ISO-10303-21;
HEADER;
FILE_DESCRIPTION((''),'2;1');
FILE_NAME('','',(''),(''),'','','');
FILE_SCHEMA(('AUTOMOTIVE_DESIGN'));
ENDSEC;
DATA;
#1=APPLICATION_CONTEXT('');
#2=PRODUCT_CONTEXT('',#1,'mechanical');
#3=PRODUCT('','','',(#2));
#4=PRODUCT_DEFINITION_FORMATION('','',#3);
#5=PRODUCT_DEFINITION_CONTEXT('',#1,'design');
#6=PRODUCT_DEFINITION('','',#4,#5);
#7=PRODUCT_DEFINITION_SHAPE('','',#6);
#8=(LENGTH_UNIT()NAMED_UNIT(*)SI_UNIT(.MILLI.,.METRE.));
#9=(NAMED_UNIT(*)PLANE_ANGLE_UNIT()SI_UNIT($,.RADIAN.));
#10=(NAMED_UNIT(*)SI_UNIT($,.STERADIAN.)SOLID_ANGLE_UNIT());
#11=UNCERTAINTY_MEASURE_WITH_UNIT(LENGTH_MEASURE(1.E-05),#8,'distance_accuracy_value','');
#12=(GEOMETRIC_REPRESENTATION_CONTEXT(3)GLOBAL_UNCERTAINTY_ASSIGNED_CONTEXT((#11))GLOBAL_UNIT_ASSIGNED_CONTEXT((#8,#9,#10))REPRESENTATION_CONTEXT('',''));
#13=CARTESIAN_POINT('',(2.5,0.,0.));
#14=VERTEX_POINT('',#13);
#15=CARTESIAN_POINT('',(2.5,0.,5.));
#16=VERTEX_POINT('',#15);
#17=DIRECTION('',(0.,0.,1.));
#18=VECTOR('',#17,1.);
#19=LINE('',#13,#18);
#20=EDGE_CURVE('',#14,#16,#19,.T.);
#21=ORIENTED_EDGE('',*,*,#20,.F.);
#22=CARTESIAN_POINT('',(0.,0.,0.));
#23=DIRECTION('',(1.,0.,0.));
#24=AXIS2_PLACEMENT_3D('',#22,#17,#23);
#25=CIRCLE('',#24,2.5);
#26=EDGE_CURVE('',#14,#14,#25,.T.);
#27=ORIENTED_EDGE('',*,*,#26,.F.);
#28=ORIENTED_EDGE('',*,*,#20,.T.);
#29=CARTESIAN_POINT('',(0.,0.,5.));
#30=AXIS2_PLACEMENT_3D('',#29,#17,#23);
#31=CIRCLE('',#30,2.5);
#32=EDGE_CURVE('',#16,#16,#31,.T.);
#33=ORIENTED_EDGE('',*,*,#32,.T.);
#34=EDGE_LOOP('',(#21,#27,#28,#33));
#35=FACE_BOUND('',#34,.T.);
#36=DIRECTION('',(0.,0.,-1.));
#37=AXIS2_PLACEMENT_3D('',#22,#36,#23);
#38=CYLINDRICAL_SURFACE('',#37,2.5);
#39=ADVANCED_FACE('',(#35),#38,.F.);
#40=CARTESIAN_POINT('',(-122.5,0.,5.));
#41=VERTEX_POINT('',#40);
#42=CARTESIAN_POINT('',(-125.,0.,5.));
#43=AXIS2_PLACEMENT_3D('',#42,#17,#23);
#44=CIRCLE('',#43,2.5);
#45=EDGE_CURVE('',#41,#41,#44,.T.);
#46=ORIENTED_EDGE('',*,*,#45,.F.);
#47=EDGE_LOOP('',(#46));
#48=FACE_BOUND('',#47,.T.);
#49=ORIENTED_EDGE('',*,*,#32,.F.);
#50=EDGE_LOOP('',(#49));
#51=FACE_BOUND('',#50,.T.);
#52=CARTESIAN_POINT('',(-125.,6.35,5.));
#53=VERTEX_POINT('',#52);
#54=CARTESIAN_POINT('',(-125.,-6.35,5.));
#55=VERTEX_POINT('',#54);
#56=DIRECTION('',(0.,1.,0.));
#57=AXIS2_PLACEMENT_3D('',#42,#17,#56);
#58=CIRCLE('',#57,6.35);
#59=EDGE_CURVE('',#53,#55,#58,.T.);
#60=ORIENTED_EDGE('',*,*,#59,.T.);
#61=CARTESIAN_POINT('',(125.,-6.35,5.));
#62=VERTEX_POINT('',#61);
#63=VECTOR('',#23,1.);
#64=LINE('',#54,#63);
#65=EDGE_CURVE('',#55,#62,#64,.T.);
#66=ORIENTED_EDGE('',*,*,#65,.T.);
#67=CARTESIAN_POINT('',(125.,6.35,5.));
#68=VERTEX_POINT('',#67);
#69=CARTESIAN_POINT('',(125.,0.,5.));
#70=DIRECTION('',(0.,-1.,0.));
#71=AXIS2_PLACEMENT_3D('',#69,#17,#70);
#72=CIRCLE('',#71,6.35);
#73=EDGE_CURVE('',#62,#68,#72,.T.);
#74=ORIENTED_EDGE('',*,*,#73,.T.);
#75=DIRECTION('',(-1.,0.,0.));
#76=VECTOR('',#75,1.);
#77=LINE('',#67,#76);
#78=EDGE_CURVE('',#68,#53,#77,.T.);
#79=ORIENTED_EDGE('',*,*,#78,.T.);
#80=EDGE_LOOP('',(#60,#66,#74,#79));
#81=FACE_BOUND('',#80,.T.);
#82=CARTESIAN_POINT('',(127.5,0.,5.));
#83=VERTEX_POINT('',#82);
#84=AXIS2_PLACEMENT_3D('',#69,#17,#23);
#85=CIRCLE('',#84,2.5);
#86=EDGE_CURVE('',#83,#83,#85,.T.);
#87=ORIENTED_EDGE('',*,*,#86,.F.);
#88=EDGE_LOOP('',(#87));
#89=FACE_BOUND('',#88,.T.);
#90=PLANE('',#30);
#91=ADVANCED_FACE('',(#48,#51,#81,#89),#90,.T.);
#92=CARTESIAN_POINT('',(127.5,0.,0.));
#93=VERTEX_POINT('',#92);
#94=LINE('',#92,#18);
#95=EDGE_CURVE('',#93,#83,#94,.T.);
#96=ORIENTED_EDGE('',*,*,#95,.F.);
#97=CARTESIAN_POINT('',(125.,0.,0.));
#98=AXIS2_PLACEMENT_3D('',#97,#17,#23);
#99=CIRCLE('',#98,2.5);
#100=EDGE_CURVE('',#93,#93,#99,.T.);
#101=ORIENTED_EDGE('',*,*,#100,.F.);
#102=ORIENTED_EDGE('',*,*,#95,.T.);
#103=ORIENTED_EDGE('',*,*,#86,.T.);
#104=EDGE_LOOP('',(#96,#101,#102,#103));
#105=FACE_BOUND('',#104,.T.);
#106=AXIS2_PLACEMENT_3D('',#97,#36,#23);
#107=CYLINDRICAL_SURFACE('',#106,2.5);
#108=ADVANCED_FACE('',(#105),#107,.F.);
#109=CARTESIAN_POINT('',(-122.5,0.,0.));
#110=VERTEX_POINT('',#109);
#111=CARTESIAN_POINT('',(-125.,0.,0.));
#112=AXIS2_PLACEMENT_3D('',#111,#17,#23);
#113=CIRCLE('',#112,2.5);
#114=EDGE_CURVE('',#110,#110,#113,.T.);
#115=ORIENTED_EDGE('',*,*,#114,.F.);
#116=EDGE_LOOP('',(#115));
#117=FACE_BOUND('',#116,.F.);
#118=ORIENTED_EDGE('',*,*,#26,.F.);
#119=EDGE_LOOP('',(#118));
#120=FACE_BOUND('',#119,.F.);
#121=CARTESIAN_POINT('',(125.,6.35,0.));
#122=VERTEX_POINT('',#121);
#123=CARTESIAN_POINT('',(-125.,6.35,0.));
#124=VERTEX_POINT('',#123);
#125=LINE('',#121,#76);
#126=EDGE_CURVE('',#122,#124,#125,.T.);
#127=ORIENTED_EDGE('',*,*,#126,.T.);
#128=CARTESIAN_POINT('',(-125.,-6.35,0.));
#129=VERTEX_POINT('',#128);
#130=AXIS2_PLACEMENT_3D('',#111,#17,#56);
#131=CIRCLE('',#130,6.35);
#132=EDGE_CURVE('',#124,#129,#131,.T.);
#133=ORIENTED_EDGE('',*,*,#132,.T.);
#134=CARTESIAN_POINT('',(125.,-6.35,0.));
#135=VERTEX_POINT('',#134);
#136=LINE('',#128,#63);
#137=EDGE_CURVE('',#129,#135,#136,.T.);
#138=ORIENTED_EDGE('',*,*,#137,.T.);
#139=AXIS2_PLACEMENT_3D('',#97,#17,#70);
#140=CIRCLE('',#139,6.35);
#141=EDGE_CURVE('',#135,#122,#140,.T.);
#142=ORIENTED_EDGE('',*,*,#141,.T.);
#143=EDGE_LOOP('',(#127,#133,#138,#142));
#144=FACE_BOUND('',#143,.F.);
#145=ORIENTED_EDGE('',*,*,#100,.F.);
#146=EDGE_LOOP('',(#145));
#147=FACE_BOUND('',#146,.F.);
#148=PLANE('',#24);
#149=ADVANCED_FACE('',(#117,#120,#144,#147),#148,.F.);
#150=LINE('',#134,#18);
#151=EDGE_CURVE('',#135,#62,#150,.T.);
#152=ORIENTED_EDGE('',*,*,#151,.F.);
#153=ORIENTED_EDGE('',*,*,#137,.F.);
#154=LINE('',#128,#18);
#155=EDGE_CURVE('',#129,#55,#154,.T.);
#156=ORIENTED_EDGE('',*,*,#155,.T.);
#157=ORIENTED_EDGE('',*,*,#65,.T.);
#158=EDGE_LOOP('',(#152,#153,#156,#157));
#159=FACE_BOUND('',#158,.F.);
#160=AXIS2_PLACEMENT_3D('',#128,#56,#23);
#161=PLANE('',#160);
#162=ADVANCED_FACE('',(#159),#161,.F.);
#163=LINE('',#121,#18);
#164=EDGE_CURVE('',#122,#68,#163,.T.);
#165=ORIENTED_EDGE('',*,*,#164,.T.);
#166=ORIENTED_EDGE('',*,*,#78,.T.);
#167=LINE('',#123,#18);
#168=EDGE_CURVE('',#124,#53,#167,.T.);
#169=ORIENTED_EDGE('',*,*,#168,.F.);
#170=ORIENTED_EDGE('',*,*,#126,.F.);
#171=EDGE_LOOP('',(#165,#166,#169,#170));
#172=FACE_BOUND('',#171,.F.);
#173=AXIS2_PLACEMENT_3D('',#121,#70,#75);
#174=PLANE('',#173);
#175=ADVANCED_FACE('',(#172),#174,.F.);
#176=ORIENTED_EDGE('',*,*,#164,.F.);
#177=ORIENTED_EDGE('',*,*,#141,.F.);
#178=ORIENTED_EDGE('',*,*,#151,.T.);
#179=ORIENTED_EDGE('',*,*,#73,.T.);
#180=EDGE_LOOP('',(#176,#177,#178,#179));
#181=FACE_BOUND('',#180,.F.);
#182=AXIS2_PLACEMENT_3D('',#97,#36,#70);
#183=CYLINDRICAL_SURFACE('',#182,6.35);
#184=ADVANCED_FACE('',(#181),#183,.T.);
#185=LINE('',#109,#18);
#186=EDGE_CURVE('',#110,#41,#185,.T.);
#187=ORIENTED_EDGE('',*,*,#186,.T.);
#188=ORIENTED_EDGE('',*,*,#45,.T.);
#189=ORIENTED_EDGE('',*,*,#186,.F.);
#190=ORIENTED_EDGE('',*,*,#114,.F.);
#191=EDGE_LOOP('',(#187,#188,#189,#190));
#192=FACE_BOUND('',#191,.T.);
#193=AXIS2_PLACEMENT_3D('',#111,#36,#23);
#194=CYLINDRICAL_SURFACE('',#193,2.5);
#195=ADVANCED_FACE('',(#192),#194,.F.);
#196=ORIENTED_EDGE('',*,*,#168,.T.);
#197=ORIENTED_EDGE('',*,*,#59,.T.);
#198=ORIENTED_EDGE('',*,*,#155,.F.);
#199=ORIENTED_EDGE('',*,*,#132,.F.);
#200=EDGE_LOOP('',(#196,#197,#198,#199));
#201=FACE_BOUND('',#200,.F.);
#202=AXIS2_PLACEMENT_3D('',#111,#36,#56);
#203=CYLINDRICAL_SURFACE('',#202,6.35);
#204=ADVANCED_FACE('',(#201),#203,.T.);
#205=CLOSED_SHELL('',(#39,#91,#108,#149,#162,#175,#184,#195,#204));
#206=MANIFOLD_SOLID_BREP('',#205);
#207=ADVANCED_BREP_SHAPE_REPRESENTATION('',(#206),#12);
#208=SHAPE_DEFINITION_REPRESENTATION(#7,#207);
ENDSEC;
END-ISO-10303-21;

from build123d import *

# Parameters (mm, degrees)
F0_R     = 2.5
F1_DEPTH = 5


with BuildPart() as f1:
    # F0 (on Top) → F1 (new body)
    with BuildSketch(Plane.XY):
        with BuildLine():
            Line((-125, -6.35), (125, -6.35))
            ThreePointArc((125, -6.35), (131.35, 0), (125, 6.35))
            Line((125, 6.35), (-125, 6.35))
            ThreePointArc((-125, 6.35), (-131.35, 0), (-125, -6.35))
        make_face()
        with Locations((-125, 0)):
            Circle(F0_R, mode=Mode.SUBTRACT)
        Circle(F0_R, mode=Mode.SUBTRACT)
        with Locations((125, 0)):
            Circle(F0_R, mode=Mode.SUBTRACT)
    extrude(amount=F1_DEPTH)


solid = f1.part
